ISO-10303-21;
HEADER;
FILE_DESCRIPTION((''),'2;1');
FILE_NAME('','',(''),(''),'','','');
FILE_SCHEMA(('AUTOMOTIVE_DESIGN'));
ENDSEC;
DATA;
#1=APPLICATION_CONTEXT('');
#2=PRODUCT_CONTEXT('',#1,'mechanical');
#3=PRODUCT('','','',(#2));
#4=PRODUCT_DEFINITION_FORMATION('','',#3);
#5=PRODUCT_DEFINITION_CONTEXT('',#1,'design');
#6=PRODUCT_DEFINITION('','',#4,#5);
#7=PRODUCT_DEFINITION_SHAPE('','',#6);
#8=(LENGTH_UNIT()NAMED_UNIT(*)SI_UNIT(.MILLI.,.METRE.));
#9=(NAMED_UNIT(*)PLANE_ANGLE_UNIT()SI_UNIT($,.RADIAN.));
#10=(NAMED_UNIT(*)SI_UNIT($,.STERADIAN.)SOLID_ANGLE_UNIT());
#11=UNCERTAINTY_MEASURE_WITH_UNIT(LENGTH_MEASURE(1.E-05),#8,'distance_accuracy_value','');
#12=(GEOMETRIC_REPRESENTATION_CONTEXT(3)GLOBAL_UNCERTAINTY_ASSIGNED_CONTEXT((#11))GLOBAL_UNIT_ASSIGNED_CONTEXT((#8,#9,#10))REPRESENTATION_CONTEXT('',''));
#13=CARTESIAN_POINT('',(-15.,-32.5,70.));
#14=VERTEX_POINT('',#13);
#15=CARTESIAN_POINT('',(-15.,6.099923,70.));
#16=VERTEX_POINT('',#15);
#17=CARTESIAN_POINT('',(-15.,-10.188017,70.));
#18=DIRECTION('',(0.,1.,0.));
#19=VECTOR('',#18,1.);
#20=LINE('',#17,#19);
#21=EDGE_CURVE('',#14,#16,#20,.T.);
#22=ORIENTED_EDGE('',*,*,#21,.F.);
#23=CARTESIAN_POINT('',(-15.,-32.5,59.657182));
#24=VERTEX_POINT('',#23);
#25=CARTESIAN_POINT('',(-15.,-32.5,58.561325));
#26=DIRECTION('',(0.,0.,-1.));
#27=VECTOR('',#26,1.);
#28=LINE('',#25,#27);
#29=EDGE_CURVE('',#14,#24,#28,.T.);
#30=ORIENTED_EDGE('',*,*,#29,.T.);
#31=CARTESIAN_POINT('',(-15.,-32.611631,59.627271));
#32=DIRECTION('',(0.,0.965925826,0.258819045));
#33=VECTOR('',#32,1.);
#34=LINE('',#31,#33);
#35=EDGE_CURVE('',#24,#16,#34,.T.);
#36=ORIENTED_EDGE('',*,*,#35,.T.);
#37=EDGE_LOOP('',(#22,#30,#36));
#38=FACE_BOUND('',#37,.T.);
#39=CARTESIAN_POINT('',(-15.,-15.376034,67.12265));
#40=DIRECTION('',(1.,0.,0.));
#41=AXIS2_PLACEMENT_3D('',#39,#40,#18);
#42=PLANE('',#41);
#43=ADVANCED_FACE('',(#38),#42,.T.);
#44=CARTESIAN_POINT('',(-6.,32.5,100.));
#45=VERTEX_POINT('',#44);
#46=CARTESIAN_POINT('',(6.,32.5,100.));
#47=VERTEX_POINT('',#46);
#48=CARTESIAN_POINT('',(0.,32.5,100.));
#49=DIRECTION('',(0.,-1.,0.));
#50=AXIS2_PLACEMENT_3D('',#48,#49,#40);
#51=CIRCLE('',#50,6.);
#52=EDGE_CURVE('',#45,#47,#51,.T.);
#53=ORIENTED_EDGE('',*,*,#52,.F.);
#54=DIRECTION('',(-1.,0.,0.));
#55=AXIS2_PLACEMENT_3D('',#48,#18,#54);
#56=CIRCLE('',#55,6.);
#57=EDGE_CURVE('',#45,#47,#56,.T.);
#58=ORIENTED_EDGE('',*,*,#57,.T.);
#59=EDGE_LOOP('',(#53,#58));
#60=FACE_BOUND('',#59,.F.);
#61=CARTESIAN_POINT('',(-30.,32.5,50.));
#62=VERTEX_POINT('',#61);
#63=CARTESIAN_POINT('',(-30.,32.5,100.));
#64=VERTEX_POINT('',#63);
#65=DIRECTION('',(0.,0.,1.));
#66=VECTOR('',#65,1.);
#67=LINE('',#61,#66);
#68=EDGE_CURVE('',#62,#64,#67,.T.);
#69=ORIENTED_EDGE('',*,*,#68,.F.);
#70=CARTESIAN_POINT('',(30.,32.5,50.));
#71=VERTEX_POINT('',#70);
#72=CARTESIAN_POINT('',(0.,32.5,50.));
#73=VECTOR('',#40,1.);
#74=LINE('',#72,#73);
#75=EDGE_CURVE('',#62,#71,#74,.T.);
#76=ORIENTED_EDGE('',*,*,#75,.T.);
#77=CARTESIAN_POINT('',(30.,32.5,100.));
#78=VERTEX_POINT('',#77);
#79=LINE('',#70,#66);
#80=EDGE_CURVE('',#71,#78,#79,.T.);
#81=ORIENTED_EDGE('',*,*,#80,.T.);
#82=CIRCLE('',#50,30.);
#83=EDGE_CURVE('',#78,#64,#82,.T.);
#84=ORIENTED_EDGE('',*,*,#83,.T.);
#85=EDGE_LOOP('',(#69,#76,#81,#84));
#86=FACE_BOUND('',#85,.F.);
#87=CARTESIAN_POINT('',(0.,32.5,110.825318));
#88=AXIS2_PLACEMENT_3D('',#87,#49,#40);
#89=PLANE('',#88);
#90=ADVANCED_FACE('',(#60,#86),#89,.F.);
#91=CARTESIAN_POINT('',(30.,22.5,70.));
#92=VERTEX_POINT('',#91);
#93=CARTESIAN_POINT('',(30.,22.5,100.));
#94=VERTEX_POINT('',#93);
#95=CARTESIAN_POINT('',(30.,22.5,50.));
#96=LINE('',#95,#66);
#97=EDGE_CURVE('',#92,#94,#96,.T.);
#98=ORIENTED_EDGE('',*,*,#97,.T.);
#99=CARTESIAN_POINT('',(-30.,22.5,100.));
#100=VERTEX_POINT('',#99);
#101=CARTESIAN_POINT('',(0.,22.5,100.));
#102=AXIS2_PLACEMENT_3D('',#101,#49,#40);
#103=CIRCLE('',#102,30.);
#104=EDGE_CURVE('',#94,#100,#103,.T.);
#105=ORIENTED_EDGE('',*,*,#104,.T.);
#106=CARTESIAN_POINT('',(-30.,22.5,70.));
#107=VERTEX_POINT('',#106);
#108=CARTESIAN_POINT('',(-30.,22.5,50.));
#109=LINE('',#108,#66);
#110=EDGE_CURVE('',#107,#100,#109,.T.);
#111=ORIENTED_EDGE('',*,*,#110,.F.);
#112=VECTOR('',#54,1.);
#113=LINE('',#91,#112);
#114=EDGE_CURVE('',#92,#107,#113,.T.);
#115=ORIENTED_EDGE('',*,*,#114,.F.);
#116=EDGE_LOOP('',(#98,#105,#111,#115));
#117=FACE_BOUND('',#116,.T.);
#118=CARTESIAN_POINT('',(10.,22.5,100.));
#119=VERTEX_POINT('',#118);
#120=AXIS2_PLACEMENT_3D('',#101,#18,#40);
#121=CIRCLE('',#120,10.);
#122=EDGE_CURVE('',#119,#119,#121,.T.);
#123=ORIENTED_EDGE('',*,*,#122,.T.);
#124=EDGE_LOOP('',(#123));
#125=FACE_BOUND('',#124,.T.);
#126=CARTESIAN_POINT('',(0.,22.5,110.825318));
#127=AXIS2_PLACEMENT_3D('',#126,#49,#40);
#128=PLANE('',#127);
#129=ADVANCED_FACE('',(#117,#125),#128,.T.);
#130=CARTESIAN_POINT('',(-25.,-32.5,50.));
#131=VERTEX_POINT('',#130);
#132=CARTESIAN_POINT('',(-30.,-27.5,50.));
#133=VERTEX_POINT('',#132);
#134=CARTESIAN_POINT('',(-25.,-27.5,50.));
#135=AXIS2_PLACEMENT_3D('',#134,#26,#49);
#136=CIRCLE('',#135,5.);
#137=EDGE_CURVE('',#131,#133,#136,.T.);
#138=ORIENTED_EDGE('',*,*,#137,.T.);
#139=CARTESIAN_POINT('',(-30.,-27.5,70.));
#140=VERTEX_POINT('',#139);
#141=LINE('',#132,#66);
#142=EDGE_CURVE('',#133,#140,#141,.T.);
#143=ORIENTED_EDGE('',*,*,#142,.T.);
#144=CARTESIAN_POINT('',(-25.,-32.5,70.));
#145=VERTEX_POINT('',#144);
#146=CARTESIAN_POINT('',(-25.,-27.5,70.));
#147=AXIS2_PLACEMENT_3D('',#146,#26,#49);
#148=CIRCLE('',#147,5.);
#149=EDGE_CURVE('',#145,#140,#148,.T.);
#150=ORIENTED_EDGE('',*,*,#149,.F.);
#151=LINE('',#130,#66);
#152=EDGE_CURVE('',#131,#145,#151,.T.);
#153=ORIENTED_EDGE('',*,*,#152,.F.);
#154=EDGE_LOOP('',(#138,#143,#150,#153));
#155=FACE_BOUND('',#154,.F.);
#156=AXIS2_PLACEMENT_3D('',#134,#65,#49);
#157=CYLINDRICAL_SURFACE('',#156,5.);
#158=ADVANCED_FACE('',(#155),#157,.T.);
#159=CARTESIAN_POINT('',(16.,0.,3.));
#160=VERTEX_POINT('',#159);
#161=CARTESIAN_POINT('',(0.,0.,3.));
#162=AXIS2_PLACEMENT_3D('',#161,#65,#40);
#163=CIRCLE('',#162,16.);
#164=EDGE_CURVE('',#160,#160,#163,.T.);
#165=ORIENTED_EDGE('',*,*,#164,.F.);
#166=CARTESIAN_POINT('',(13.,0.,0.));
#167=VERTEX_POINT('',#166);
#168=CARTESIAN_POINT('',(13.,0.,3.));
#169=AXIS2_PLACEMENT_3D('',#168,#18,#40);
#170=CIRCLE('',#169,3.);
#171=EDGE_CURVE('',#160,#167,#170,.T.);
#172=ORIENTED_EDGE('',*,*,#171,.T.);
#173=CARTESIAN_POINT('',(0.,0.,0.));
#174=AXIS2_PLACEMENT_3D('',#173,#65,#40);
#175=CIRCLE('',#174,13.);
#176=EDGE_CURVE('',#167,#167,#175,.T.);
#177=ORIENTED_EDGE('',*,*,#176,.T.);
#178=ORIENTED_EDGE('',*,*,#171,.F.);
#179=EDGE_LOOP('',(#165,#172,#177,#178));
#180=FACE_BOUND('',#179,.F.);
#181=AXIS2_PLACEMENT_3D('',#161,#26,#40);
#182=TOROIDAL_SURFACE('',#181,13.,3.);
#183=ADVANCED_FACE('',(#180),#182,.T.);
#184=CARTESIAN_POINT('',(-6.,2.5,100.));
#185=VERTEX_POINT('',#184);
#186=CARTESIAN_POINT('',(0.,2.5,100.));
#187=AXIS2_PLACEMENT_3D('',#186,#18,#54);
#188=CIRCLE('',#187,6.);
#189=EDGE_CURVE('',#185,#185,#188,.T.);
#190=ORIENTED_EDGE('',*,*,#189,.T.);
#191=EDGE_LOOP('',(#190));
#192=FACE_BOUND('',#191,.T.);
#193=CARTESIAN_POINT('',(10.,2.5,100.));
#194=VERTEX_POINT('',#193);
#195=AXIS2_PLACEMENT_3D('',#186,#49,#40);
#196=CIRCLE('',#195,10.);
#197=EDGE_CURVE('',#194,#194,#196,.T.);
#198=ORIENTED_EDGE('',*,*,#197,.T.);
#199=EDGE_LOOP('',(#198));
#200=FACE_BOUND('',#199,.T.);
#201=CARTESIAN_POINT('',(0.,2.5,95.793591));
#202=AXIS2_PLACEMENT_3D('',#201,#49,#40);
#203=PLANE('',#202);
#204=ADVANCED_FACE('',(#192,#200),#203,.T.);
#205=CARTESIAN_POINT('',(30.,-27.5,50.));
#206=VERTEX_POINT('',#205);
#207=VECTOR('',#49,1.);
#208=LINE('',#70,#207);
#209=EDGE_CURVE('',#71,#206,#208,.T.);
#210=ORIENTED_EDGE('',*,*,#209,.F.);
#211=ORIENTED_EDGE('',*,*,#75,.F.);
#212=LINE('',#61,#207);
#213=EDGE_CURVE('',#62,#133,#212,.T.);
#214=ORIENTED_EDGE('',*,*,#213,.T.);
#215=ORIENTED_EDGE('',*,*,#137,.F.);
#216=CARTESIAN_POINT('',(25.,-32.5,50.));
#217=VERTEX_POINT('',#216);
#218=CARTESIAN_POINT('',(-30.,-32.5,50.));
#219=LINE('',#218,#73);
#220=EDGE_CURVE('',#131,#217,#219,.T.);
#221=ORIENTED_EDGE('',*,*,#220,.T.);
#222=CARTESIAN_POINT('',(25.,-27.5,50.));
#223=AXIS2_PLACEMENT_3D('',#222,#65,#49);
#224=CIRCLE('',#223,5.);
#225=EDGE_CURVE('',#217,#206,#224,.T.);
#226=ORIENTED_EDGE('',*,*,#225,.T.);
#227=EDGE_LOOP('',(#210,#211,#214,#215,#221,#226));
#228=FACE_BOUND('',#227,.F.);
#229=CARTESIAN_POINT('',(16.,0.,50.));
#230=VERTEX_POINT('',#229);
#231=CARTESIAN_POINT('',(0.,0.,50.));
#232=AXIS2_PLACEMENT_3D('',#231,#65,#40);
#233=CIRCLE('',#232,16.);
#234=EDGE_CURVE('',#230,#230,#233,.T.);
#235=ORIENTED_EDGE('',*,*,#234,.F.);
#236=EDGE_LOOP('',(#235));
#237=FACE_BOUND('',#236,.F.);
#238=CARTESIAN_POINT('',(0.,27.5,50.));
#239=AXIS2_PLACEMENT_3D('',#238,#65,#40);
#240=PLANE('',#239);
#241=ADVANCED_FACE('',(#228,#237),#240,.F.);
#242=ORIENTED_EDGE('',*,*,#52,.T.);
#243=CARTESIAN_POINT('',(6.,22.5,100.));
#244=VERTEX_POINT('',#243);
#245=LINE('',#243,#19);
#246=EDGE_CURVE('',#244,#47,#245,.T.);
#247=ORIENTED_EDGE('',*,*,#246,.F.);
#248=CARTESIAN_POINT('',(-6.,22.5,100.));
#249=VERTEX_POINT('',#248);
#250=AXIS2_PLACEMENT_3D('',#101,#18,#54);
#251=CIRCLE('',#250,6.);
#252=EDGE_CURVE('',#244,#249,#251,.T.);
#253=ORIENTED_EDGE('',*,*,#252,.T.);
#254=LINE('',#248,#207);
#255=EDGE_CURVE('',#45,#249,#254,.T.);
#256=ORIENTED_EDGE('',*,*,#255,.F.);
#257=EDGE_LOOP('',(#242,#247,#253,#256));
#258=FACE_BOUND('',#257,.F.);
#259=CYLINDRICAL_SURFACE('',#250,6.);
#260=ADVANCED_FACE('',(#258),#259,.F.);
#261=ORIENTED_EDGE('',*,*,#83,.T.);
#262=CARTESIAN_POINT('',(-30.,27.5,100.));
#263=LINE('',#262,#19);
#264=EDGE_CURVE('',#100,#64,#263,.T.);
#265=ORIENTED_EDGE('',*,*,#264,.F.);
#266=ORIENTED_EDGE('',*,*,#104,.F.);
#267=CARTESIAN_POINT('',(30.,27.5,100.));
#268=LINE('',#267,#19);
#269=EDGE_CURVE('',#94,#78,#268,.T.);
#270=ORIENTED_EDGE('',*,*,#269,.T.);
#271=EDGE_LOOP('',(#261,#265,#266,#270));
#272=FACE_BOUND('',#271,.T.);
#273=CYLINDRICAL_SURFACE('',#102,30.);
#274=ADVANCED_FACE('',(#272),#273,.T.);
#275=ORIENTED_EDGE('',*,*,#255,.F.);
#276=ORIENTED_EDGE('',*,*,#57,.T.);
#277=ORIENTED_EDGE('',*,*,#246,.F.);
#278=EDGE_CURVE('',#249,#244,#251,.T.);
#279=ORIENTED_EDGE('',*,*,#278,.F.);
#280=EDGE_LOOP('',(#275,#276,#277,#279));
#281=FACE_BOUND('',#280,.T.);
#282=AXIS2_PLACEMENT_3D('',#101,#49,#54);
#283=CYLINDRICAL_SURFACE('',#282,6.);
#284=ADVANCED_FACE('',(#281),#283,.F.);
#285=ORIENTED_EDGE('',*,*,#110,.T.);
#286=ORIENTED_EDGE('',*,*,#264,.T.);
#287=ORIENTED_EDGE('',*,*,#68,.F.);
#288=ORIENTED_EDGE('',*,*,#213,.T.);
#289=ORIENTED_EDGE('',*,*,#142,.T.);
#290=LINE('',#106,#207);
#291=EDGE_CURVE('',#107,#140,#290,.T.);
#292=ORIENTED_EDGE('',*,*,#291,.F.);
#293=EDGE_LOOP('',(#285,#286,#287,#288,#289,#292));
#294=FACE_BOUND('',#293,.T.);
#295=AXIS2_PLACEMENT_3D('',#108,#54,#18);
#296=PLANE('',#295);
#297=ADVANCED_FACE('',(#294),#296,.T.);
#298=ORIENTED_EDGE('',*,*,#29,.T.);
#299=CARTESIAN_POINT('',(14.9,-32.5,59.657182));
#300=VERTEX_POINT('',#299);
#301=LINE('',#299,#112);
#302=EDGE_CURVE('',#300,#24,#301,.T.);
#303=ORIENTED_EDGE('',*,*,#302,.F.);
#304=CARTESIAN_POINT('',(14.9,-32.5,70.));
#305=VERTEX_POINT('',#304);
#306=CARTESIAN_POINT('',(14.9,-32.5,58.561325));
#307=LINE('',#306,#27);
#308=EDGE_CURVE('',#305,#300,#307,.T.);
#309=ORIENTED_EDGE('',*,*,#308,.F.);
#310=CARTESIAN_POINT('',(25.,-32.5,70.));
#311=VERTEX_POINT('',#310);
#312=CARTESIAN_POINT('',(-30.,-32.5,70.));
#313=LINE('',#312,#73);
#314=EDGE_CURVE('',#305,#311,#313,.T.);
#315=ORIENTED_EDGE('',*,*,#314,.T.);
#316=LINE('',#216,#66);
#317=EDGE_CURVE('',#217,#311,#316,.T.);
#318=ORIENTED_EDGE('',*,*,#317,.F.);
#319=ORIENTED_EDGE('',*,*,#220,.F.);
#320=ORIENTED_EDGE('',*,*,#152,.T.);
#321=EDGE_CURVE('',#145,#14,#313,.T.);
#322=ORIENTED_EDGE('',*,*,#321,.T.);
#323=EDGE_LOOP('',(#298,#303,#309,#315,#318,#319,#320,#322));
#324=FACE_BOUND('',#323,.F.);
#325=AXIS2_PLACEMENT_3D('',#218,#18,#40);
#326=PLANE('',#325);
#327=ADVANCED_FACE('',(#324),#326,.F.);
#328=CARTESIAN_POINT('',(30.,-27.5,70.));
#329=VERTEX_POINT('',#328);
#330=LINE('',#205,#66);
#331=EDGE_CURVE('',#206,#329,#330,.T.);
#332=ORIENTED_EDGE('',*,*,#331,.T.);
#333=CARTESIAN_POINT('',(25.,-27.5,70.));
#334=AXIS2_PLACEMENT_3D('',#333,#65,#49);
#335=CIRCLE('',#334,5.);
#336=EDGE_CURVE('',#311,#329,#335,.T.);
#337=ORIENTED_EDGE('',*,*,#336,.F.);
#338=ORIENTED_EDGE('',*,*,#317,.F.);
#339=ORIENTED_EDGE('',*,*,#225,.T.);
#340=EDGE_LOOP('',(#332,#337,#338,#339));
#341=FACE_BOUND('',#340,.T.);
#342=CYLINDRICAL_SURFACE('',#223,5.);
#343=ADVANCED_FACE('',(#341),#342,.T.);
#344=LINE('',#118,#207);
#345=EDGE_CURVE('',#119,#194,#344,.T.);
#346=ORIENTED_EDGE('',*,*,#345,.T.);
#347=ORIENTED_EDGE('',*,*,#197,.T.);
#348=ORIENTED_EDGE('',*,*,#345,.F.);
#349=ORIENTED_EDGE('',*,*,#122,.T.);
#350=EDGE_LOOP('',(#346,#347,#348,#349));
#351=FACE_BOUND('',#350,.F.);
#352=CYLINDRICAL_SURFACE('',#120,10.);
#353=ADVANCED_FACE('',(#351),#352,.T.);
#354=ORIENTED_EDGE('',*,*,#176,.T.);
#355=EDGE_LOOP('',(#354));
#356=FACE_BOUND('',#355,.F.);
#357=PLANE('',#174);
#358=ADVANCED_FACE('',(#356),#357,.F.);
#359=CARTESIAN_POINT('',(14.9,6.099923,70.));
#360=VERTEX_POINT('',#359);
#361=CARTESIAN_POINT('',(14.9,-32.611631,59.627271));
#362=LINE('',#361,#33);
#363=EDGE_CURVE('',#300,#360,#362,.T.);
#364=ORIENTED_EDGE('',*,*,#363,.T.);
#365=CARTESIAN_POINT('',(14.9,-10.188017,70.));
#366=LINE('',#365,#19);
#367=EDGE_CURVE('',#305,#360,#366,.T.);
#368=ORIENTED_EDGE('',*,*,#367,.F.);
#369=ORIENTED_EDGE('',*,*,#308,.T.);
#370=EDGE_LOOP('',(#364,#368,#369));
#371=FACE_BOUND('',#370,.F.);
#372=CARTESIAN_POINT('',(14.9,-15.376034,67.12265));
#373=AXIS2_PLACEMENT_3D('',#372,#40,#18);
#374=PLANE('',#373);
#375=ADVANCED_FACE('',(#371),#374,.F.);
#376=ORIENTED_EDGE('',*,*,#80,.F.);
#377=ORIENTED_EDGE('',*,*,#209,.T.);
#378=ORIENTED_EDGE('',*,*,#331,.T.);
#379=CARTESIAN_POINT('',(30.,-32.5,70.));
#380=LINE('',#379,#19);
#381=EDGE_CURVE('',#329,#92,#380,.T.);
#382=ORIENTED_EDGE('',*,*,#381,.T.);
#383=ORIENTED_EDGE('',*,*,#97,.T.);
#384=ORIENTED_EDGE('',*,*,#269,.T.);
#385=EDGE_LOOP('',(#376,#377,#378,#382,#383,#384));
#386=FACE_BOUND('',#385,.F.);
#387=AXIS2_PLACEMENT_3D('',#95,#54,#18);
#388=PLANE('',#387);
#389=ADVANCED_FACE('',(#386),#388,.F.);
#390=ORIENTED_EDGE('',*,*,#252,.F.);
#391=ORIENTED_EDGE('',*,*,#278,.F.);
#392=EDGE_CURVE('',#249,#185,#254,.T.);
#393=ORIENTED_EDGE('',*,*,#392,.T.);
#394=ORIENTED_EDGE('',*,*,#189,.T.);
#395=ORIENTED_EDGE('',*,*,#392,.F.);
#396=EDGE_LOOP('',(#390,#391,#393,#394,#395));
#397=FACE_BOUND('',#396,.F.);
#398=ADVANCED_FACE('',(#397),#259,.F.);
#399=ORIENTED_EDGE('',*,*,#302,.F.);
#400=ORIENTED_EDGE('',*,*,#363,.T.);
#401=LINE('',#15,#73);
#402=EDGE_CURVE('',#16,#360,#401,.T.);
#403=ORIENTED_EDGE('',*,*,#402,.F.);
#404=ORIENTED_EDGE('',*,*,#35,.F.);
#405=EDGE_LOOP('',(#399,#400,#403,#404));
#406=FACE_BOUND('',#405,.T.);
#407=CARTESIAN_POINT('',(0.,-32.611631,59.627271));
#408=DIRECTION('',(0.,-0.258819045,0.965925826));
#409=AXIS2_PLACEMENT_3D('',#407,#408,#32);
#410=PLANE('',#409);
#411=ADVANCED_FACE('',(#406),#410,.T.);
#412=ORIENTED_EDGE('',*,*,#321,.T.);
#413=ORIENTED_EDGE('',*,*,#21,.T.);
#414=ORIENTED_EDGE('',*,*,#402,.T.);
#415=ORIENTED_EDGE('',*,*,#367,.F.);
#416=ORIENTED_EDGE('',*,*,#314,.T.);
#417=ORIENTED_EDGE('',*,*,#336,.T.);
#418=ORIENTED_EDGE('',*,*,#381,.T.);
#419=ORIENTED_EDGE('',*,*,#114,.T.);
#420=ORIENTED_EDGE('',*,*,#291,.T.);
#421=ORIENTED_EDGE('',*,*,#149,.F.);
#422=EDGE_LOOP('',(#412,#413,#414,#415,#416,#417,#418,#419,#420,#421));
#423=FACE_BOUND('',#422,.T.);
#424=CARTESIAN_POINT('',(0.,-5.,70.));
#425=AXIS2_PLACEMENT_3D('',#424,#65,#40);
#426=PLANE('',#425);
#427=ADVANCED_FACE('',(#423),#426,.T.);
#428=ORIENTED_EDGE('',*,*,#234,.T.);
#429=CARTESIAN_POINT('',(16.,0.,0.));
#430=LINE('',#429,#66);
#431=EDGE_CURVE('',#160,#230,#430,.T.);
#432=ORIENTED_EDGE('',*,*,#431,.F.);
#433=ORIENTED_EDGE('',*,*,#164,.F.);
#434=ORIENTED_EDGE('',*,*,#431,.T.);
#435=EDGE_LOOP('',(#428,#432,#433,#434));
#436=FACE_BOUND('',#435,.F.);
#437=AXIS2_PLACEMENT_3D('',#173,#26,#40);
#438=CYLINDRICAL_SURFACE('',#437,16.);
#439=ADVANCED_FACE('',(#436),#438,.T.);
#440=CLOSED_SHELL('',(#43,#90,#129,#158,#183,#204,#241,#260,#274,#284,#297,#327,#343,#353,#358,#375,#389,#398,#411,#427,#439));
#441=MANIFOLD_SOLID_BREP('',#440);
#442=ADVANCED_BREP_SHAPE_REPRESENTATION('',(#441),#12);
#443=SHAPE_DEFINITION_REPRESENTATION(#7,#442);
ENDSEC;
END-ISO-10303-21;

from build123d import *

# Parameters (mm, degrees)
F0_R           = 16
F1_DEPTH       = 50
F2_R           = 16
F3_DEPTH       = 20
F2_W           = 60
F2_H           = 10
F4_DEPTH       = 50
F6_DEPTH       = 20
F6_DEPTH_BACK  = 10
F7_DEPTH       = 20
F7_DEPTH_BACK  = 10
F8_DEPTH       = 10
F9_R           = 5
F10_R          = 5
F12_DEPTH      = 15
F12_DEPTH_BACK = 14.9
F13_R          = 3


with BuildPart() as f1:
    # F0 (on Top) → F1 (new body)
    with BuildSketch(Plane.XY):
        Circle(F0_R)
    extrude(amount=F1_DEPTH)

    # F2 (on face) → F3 (join)
    with BuildSketch(Plane.XY.offset(50)):
        Polygon((-30, 22.5), (-30, 0), (-30, -32.5), (30, -32.5), (30, 0), (30, 22.5), align=None)
        Circle(F2_R, mode=Mode.SUBTRACT)
        Circle(F2_R)
    extrude(amount=F3_DEPTH)

    # F2 (on face) → F4 (join)
    with BuildSketch(Plane.XY.offset(50)):
        with Locations((0, 27.5)):
            Rectangle(F2_W, F2_H)
    extrude(amount=F4_DEPTH)

    # F5 (on face) → F6 (cut, two sides)
    with BuildSketch(Plane.XZ.offset(-22.5)) as f6_sk:
        with BuildLine():
            ThreePointArc((-6, 100), (0, 94), (6, 100))
            Line((6, 100), (-6, 100))
        make_face()
        with BuildLine():
            Line((-6, 100), (6, 100))
            ThreePointArc((6, 100), (0, 106), (-6, 100))
        make_face()
    extrude(amount=F6_DEPTH, mode=Mode.SUBTRACT)
    extrude(f6_sk.sketch, amount=-F6_DEPTH_BACK, mode=Mode.SUBTRACT)

    # F5 (on face) → F7 (join, two sides)
    with BuildSketch(Plane.XZ.offset(-22.5)) as f7_sk:
        with BuildLine():
            ThreePointArc((-10, 100), (0, 90), (10, 100))
            Line((10, 100), (6, 100))
            ThreePointArc((6, 100), (0, 94), (-6, 100))
            Line((-6, 100), (-10, 100))
        make_face()
        with BuildLine():
            Line((6, 100), (10, 100))
            ThreePointArc((10, 100), (0, 110), (-10, 100))
            Line((-10, 100), (-6, 100))
            ThreePointArc((-6, 100), (0, 106), (6, 100))
        make_face()
    extrude(amount=F7_DEPTH)
    extrude(f7_sk.sketch, amount=-F7_DEPTH_BACK)

    # F5 (on face) → F8 (join)
    with BuildSketch(Plane.XZ.offset(-22.5)):
        with BuildLine():
            Line((10, 100), (30, 100))
            ThreePointArc((30, 100), (0, 130), (-30, 100))
            Line((-30, 100), (-10, 100))
            ThreePointArc((-10, 100), (0, 110), (10, 100))
        make_face()
    extrude(amount=-F8_DEPTH)

    # F9
    f9_edges = [f1.edges().sort_by_distance(p)[0] for p in [
        (30, -32.5, 60),
    ]]
    fillet(f9_edges, radius=F9_R)

    # F10
    f10_edges = [f1.edges().sort_by_distance(p)[0] for p in [
        (-30, -32.5, 60),
    ]]
    fillet(f10_edges, radius=F10_R)

    # F11 (on Right) → F12 (cut, two sides)
    with BuildSketch(Plane.YZ) as f12_sk:
        Polygon((6.397780925, 70.0798109174), (-32.611630857, 70.0798109174), (-32.611630857, 59.6272705332), align=None)
    extrude(amount=-F12_DEPTH, mode=Mode.SUBTRACT)
    extrude(f12_sk.sketch, amount=F12_DEPTH_BACK, mode=Mode.SUBTRACT)

    # F13
    f13_edges = [f1.edges().sort_by_distance(p)[0] for p in [
        (-16, 0, 0),
    ]]
    fillet(f13_edges, radius=F13_R)


solid = f1.part
